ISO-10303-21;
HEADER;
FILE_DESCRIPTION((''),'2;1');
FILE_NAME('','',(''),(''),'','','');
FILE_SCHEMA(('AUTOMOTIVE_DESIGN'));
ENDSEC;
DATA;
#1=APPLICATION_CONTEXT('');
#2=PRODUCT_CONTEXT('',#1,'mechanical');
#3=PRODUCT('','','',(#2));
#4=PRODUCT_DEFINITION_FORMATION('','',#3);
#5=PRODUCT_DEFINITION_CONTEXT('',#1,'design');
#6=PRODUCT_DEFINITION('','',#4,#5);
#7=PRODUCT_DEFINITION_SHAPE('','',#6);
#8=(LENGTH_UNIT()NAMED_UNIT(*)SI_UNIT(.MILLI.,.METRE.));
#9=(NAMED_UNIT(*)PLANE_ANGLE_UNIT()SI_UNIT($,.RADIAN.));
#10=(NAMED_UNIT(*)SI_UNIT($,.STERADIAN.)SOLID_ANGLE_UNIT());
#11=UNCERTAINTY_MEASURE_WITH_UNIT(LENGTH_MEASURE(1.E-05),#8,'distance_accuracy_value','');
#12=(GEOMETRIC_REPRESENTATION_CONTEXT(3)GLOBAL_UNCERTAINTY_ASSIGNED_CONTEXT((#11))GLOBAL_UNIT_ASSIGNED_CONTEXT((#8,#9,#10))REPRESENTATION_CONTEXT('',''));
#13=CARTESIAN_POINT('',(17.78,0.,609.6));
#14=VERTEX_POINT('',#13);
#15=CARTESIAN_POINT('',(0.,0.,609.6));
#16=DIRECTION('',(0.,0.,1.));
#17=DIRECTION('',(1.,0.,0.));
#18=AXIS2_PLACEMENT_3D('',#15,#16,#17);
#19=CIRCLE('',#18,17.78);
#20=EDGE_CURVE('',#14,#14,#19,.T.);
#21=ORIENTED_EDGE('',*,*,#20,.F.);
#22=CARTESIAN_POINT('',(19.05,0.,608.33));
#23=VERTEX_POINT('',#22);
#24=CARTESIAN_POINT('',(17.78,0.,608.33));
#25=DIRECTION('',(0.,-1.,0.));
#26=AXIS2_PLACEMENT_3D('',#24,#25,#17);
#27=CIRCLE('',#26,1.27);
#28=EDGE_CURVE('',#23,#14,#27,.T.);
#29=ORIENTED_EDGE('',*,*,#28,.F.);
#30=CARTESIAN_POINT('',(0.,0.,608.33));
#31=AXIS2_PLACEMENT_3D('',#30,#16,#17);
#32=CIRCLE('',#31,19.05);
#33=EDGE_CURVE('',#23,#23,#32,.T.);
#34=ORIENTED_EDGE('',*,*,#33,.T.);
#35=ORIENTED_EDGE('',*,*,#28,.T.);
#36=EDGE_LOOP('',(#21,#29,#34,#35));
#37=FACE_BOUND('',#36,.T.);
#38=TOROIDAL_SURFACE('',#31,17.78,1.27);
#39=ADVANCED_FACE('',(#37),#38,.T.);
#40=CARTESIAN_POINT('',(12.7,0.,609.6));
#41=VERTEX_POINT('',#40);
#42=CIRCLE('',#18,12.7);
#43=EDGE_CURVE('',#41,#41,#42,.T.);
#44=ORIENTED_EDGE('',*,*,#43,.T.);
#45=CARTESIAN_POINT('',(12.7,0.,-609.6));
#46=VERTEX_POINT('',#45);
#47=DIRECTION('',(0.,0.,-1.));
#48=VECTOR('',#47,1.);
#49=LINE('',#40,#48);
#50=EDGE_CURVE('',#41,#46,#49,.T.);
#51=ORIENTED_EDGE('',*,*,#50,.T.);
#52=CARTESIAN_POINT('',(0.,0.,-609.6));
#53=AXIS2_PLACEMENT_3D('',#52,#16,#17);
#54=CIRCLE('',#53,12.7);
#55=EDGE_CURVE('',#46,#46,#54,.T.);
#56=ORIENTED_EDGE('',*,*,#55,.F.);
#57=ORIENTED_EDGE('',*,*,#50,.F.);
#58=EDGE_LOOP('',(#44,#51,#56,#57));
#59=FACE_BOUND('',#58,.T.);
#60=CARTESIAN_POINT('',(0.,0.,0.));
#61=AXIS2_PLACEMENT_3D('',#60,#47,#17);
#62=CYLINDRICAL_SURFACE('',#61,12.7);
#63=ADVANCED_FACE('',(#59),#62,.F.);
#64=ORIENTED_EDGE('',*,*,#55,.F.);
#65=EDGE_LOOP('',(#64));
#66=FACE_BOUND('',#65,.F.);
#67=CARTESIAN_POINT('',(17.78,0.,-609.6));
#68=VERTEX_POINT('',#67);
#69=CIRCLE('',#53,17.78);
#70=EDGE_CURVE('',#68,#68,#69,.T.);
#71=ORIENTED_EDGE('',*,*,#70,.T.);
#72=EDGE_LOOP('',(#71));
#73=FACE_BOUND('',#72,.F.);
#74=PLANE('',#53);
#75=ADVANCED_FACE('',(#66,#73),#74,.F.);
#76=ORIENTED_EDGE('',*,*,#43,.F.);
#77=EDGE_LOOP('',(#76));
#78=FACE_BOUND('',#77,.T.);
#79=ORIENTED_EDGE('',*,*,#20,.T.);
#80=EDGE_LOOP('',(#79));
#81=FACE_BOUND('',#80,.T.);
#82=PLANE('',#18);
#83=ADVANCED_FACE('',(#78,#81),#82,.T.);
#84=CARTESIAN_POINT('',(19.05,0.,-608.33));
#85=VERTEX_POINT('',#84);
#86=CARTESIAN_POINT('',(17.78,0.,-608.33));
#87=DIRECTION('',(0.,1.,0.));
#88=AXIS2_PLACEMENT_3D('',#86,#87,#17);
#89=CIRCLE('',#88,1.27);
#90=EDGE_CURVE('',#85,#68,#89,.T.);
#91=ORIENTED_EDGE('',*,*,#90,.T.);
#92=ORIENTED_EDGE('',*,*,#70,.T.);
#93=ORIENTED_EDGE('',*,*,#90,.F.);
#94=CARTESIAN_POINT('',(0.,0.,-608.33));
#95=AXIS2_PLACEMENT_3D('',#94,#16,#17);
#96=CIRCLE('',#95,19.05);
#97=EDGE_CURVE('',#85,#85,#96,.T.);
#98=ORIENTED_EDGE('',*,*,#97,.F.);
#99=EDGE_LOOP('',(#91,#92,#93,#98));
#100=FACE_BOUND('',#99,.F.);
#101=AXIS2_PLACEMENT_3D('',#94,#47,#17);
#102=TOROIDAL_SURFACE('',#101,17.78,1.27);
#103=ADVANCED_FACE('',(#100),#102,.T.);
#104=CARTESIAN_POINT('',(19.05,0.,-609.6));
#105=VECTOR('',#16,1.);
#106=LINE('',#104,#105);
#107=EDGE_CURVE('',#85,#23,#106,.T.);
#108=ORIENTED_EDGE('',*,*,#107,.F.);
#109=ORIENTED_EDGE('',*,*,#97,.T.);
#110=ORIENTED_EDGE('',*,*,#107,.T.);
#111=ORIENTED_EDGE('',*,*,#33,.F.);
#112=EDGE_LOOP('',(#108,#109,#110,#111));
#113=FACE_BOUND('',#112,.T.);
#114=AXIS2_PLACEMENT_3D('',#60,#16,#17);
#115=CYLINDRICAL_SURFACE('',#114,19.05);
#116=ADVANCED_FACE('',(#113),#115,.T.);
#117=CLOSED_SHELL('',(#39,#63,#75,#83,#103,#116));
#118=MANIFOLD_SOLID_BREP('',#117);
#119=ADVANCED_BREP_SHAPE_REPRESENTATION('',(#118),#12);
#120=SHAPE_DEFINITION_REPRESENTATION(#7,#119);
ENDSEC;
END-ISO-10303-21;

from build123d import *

# Parameters (mm, degrees)
F0_R     = 19.05
F0_R_2   = 12.7
F1_DEPTH = 609.6
F2_R     = 1.27


with BuildPart() as f1:
    # F0 (on Top) → F1 (new body, symmetric)
    with BuildSketch(Plane.XY):
        Circle(F0_R)
        Circle(F0_R_2, mode=Mode.SUBTRACT)
    extrude(amount=F1_DEPTH, both=True)

    # F2
    f2_edges = [f1.edges().sort_by_distance(p)[0] for p in [
        (-19.05, 0, -609.6),
        (19.05, 0, 0),
        (-19.05, 0, 609.6),
    ]]
    fillet(f2_edges, radius=F2_R)


solid = f1.part
